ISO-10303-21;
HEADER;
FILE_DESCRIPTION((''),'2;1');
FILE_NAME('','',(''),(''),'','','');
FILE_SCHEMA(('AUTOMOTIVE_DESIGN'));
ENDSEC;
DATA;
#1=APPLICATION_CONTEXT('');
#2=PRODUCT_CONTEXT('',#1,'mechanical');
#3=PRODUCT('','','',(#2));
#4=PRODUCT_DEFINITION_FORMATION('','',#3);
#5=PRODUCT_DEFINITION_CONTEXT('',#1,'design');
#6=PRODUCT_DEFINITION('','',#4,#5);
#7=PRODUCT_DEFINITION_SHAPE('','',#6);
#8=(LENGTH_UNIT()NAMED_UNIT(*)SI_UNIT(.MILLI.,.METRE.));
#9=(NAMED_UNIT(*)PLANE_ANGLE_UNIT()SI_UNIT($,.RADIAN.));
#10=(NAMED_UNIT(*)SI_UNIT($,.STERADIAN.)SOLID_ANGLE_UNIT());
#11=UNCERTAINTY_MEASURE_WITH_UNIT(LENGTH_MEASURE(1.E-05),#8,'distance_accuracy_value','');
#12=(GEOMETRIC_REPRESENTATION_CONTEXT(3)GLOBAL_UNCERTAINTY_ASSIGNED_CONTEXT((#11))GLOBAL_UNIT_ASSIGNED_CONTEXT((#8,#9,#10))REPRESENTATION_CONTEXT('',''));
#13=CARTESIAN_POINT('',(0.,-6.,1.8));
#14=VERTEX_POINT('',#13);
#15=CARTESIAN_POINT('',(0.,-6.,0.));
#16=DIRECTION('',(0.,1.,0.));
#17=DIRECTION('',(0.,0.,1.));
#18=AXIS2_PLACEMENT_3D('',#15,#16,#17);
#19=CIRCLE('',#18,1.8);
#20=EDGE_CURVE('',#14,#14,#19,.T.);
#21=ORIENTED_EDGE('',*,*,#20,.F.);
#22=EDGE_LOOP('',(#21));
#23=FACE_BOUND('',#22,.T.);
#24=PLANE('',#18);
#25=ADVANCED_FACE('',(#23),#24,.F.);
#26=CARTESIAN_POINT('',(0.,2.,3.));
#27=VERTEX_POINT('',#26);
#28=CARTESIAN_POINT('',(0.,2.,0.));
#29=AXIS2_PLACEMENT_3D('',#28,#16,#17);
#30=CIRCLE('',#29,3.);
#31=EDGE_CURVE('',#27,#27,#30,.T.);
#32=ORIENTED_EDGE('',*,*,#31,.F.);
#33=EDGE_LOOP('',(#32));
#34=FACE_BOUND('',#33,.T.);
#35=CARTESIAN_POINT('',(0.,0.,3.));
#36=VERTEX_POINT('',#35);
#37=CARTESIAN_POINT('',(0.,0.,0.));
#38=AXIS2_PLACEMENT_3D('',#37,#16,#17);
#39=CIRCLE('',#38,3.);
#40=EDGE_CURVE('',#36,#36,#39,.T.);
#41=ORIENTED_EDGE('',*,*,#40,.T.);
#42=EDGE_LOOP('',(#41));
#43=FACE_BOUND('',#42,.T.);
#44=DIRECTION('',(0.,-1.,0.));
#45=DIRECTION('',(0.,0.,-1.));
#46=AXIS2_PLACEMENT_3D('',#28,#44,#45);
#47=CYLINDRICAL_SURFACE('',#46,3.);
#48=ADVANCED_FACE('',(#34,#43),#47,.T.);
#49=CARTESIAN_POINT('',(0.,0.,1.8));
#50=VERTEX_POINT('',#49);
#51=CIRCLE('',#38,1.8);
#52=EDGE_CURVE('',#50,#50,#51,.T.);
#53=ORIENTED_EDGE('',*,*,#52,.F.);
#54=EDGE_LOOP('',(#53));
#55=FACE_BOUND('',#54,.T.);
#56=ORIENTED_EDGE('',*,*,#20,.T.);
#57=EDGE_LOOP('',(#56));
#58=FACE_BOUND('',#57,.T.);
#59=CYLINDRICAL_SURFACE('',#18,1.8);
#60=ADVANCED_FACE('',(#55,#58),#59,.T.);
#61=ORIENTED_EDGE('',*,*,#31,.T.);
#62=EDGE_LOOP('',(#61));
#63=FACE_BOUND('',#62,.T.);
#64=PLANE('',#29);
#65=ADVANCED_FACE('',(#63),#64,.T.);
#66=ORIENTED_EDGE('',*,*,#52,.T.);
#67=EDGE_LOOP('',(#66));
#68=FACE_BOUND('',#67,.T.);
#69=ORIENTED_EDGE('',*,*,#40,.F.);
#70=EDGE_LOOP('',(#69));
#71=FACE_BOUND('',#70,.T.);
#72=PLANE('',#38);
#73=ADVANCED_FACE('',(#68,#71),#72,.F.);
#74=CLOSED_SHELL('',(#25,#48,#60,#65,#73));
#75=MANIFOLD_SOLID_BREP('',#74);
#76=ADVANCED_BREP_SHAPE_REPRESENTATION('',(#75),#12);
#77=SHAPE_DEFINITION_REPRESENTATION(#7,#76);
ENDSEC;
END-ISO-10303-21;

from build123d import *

# Parameters (mm, degrees)
SKETCH1_R           = 1.8
BOSS_EXTRUDE1_DEPTH = 6
SKETCH1_3_R         = 3
BOSS_EXTRUDE2_DEPTH = 2


with BuildPart() as part:
    # Sketch1 → Boss-Extrude1 (new body)
    with BuildSketch(Plane(origin=(0, 0, 0), x_dir=(1, 0, 0), z_dir=(0, 1, 0))):
        Circle(SKETCH1_R)
    extrude(amount=-BOSS_EXTRUDE1_DEPTH)

    # Sketch1<3> → Boss-Extrude2 (add)
    with BuildSketch(Plane(origin=(0, 0, 0), x_dir=(1, 0, 0), z_dir=(0, 1, 0))):
        Circle(SKETCH1_3_R)
    extrude(amount=BOSS_EXTRUDE2_DEPTH)


solid = part.part
